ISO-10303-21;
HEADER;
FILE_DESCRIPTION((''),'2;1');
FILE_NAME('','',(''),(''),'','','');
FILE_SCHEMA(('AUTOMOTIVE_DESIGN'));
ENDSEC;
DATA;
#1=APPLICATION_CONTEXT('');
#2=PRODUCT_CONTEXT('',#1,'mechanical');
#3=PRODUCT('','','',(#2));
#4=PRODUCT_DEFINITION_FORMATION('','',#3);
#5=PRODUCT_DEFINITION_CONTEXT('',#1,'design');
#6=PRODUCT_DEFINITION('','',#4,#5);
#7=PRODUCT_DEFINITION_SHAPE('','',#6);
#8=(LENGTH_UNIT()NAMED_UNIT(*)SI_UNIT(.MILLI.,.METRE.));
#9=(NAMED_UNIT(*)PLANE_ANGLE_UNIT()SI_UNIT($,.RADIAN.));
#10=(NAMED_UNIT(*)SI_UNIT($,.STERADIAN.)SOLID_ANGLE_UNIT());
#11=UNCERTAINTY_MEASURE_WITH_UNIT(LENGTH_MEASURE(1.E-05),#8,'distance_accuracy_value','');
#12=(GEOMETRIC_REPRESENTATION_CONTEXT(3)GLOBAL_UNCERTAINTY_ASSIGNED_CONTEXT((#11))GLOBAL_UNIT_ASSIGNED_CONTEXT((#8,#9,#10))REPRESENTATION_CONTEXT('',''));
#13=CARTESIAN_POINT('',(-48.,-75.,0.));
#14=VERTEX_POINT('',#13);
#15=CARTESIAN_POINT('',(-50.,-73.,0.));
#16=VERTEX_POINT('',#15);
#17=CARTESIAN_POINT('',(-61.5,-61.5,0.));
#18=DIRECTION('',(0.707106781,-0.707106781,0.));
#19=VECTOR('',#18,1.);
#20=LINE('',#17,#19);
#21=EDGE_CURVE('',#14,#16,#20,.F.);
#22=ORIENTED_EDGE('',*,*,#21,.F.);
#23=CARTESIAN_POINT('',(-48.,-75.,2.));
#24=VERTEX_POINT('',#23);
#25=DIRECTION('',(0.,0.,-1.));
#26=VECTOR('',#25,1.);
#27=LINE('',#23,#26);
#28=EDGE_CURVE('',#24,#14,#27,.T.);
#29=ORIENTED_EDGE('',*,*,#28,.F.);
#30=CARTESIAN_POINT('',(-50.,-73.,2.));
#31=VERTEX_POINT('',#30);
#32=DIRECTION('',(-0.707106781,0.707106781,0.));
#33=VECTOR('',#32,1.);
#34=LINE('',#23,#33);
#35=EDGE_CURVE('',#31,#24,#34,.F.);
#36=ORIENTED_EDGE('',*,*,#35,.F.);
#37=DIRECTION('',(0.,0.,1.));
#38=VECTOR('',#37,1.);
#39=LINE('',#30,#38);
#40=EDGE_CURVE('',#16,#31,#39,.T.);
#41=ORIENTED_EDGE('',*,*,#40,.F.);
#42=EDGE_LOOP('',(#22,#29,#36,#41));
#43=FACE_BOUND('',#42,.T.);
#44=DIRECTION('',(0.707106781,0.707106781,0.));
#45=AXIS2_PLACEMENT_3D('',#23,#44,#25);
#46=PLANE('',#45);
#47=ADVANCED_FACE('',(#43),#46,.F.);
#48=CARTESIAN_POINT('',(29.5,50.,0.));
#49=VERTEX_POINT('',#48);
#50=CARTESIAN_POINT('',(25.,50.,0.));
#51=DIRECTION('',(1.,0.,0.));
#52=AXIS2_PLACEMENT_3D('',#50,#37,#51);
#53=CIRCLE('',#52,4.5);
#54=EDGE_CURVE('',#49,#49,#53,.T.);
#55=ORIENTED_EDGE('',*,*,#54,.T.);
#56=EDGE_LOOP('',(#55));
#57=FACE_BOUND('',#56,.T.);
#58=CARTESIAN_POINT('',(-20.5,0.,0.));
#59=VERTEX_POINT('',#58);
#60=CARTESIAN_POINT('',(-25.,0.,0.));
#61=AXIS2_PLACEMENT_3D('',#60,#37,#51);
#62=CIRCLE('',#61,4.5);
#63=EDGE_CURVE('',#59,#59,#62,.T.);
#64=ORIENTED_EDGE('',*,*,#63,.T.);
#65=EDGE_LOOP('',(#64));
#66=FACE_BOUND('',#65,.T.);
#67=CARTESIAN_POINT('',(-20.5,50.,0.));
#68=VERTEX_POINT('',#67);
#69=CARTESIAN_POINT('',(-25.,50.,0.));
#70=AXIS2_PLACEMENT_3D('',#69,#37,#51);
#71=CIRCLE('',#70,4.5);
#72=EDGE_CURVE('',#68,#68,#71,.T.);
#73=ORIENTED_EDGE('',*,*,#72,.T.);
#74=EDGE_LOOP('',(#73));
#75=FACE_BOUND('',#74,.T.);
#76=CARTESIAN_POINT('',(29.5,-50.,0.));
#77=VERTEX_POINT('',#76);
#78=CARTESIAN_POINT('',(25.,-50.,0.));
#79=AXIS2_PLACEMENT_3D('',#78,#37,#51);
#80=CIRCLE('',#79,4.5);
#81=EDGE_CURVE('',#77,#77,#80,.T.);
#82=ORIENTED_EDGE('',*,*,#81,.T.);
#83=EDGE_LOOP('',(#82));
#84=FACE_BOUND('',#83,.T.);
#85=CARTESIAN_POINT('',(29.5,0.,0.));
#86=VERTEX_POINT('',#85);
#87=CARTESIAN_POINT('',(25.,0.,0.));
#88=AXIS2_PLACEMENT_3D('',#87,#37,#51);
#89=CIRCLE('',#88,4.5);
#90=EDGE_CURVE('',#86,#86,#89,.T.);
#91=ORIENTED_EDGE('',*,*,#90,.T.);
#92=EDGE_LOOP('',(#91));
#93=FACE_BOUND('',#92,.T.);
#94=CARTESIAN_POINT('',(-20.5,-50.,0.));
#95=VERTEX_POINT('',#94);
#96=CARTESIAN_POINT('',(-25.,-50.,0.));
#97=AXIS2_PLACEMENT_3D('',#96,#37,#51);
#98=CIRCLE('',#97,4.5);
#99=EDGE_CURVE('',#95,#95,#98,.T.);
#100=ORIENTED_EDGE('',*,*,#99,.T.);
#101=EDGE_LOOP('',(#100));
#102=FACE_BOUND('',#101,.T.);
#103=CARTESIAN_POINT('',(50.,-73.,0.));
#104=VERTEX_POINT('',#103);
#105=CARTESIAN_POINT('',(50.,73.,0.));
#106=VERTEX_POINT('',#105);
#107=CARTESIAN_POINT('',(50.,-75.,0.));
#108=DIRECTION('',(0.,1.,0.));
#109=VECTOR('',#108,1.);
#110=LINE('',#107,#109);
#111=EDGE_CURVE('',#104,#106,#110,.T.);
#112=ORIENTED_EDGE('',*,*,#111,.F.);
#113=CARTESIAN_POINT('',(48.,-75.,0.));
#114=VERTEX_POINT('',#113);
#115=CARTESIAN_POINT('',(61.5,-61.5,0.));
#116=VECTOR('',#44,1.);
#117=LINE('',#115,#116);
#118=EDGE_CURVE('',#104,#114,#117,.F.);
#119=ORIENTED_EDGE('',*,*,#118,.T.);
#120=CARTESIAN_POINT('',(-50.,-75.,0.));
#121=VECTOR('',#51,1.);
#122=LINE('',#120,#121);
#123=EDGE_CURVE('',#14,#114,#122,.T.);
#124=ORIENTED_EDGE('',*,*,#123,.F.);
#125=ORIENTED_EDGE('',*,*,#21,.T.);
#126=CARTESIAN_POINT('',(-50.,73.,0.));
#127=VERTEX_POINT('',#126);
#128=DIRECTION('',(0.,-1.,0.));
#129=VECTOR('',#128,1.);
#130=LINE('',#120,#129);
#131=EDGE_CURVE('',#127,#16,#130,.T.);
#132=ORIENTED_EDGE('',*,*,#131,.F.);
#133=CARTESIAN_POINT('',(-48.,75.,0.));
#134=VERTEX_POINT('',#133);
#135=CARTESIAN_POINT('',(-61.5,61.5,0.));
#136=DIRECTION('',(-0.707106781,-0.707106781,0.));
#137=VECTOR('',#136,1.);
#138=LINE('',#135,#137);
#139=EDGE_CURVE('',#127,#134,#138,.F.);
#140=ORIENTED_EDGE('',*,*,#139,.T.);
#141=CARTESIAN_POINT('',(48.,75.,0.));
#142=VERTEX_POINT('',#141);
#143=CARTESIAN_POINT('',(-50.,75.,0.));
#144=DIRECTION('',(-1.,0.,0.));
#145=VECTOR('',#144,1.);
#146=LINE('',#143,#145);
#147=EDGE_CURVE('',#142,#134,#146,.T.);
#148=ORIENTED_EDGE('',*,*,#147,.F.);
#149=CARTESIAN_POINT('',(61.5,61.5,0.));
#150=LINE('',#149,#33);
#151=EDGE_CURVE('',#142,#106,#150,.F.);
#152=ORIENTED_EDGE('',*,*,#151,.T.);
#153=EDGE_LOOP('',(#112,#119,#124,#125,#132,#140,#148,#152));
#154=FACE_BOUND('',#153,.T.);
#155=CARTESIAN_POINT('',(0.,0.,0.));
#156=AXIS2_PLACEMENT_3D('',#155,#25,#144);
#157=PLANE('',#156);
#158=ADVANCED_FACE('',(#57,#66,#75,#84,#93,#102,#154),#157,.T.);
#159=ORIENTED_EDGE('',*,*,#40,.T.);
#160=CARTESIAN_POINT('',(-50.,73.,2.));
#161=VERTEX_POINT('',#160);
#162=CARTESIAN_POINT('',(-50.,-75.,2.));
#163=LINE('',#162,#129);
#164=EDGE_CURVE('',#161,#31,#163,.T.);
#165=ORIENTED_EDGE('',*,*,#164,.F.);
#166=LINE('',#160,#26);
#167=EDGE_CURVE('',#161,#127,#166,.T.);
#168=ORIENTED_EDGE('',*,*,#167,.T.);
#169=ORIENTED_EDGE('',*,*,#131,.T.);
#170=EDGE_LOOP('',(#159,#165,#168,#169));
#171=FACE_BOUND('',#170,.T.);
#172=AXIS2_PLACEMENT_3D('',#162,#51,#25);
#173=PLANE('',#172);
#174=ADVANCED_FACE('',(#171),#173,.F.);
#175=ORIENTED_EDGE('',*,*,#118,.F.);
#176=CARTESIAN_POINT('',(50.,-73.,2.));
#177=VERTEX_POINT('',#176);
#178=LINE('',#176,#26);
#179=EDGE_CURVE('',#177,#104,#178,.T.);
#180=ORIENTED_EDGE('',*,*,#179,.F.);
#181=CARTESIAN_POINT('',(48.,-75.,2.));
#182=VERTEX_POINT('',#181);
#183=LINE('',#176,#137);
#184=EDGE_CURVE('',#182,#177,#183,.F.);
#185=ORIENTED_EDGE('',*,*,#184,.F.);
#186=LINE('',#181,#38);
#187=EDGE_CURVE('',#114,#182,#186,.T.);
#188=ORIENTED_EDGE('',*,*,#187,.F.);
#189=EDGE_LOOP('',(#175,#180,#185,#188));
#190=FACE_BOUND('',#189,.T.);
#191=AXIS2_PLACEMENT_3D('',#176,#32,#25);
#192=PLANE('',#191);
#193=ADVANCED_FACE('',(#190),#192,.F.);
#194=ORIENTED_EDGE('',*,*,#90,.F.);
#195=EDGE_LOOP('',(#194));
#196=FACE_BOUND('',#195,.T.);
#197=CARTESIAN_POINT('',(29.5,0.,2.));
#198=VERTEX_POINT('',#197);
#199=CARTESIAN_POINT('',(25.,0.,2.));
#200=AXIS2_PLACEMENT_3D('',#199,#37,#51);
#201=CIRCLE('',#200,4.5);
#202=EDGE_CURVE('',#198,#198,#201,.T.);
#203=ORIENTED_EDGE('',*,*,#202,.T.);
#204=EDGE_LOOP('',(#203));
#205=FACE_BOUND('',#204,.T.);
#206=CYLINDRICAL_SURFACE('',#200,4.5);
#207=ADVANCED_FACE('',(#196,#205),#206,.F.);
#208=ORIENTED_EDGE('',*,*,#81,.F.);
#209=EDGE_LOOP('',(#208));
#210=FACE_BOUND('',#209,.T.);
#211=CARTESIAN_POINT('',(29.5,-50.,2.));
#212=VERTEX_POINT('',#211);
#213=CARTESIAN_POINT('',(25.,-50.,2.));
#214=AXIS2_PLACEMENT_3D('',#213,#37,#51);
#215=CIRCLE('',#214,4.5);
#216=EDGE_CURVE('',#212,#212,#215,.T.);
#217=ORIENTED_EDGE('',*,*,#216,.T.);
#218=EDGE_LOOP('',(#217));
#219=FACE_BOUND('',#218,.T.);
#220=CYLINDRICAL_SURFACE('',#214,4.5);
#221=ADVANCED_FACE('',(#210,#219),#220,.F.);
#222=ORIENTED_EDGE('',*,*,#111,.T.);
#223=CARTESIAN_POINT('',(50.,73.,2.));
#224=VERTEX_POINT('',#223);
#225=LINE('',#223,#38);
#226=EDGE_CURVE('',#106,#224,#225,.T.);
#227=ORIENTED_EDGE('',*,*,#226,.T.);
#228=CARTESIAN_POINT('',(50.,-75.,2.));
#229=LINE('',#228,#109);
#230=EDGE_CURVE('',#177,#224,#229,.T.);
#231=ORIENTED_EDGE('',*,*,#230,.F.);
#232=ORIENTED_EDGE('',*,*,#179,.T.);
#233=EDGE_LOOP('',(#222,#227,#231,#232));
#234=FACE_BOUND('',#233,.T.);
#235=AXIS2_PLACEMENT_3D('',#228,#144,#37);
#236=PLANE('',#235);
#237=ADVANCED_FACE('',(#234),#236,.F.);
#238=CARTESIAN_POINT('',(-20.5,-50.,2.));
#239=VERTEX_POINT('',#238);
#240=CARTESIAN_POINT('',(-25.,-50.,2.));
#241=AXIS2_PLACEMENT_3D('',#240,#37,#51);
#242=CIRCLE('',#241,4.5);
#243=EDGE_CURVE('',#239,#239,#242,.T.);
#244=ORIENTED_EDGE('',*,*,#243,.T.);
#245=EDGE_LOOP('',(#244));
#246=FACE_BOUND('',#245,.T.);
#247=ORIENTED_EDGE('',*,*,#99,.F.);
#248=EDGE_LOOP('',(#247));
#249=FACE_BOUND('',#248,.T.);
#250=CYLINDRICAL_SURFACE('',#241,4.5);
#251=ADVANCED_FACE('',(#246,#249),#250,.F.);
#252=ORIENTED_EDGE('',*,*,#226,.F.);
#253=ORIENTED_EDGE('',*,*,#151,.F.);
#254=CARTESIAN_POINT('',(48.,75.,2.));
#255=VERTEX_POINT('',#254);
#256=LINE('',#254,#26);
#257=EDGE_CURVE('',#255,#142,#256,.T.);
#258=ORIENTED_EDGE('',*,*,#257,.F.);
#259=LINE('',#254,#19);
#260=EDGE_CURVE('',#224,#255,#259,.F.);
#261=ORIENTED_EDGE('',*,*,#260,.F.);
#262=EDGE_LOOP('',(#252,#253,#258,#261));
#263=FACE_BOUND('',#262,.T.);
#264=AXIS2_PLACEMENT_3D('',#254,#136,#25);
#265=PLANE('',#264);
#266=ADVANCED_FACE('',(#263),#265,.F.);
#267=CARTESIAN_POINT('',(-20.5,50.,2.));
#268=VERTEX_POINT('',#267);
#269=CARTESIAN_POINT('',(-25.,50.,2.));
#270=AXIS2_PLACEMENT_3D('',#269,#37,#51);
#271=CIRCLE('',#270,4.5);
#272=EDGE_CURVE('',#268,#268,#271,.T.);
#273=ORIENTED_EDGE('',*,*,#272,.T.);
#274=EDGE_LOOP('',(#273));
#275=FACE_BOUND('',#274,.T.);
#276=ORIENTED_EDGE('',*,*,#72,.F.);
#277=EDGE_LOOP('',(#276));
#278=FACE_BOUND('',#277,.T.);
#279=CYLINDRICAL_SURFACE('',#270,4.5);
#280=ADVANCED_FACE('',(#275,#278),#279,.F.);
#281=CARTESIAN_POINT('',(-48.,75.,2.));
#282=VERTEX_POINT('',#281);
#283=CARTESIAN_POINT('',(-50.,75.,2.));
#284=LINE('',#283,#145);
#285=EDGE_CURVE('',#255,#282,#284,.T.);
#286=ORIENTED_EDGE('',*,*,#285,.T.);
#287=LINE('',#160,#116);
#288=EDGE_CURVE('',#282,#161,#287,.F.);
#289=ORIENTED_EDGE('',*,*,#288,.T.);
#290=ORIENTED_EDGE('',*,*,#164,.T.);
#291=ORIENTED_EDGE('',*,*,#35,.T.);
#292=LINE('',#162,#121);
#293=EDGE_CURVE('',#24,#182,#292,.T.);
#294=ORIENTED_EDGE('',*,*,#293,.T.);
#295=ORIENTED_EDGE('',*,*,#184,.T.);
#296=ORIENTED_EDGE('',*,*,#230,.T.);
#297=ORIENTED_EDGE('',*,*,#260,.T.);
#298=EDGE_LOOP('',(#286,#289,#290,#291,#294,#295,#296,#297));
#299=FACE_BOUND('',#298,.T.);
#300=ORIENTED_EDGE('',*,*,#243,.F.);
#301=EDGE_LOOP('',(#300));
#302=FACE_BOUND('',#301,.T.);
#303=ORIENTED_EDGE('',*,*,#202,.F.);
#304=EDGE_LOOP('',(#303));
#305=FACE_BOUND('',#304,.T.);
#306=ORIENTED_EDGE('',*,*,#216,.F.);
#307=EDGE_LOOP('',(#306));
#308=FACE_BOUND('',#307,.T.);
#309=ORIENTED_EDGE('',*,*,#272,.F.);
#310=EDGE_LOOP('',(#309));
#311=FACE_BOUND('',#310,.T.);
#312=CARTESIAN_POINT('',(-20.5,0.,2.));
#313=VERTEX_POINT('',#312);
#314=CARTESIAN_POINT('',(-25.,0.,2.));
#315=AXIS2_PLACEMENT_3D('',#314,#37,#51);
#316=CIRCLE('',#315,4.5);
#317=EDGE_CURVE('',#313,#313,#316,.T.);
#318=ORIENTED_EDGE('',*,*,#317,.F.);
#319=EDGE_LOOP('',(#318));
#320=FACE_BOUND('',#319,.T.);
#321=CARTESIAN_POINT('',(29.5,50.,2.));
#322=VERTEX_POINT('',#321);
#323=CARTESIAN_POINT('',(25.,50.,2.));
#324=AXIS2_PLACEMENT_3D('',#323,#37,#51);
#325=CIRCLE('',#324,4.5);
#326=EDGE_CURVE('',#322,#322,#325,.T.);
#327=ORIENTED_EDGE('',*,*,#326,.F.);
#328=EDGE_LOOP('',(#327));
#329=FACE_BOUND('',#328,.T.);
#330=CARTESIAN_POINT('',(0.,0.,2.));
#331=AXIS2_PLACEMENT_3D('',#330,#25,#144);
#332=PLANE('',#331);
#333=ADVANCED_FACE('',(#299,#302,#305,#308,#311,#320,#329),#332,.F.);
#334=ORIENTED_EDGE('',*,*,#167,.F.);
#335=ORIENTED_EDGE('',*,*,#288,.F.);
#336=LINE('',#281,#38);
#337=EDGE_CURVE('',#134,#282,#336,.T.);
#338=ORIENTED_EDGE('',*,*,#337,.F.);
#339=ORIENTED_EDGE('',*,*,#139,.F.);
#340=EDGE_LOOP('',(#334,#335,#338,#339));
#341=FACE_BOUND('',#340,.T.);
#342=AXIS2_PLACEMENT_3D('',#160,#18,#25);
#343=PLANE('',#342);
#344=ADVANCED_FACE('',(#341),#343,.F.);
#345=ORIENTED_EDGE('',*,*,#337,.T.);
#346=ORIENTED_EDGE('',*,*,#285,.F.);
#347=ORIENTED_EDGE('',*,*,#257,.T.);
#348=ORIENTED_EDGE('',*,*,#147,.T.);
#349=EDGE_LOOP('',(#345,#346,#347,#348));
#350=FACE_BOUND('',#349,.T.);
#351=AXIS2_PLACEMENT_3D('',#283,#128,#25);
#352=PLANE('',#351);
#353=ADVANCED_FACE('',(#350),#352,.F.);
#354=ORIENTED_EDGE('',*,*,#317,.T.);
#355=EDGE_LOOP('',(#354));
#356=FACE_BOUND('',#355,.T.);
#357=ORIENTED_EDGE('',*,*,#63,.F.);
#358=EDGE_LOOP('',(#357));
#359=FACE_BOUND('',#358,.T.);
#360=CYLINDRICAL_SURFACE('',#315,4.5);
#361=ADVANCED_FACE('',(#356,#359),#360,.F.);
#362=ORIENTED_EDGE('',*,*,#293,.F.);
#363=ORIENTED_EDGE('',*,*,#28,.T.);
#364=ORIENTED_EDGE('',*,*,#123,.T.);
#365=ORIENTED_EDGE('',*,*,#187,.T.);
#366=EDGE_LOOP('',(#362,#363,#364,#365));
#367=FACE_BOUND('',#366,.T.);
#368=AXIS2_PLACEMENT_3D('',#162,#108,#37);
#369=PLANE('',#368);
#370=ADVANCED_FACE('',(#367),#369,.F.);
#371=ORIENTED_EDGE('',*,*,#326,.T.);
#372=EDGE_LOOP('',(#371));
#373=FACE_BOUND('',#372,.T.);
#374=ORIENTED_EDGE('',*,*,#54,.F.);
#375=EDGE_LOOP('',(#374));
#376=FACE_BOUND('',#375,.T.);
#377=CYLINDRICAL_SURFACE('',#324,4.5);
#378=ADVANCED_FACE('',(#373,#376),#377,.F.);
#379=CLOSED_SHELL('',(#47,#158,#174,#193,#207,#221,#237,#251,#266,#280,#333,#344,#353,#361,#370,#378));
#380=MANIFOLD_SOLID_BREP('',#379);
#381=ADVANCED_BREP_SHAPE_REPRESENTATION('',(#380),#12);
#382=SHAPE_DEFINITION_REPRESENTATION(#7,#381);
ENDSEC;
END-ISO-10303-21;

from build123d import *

# Parameters (mm, degrees)
SKETCH_1_W        = 100
SKETCH_1_H        = 150
EXTRUDE_1_DEPTH   = 2
CHAMFER_1_SIZE    = 2
HOLE_WIZARD_M81_D = 9


with BuildPart() as part:
    # Эскиз1 → Бобышка-Вытянуть1 (new body)
    with BuildSketch(Plane.XY):
        Rectangle(SKETCH_1_W, SKETCH_1_H)
    extrude(amount=EXTRUDE_1_DEPTH)

    # Фаска1
    chamfer_1_edges = [part.edges().sort_by_distance(p)[0] for p in [
        (50, -75, 1),
        (-50, -75, 1),
        (-50, 75, 1),
        (50, 75, 1),
    ]]
    chamfer(chamfer_1_edges, length=CHAMFER_1_SIZE)

    # Отверстие с зазором M81 (through all)
    with Locations(Plane.XY.offset(2)):
        with Locations((-25, 50), (25, 50), (25, 0), (-25, 0), (-25, -50), (25, -50)):
            Hole(HOLE_WIZARD_M81_D / 2)


solid = part.part
